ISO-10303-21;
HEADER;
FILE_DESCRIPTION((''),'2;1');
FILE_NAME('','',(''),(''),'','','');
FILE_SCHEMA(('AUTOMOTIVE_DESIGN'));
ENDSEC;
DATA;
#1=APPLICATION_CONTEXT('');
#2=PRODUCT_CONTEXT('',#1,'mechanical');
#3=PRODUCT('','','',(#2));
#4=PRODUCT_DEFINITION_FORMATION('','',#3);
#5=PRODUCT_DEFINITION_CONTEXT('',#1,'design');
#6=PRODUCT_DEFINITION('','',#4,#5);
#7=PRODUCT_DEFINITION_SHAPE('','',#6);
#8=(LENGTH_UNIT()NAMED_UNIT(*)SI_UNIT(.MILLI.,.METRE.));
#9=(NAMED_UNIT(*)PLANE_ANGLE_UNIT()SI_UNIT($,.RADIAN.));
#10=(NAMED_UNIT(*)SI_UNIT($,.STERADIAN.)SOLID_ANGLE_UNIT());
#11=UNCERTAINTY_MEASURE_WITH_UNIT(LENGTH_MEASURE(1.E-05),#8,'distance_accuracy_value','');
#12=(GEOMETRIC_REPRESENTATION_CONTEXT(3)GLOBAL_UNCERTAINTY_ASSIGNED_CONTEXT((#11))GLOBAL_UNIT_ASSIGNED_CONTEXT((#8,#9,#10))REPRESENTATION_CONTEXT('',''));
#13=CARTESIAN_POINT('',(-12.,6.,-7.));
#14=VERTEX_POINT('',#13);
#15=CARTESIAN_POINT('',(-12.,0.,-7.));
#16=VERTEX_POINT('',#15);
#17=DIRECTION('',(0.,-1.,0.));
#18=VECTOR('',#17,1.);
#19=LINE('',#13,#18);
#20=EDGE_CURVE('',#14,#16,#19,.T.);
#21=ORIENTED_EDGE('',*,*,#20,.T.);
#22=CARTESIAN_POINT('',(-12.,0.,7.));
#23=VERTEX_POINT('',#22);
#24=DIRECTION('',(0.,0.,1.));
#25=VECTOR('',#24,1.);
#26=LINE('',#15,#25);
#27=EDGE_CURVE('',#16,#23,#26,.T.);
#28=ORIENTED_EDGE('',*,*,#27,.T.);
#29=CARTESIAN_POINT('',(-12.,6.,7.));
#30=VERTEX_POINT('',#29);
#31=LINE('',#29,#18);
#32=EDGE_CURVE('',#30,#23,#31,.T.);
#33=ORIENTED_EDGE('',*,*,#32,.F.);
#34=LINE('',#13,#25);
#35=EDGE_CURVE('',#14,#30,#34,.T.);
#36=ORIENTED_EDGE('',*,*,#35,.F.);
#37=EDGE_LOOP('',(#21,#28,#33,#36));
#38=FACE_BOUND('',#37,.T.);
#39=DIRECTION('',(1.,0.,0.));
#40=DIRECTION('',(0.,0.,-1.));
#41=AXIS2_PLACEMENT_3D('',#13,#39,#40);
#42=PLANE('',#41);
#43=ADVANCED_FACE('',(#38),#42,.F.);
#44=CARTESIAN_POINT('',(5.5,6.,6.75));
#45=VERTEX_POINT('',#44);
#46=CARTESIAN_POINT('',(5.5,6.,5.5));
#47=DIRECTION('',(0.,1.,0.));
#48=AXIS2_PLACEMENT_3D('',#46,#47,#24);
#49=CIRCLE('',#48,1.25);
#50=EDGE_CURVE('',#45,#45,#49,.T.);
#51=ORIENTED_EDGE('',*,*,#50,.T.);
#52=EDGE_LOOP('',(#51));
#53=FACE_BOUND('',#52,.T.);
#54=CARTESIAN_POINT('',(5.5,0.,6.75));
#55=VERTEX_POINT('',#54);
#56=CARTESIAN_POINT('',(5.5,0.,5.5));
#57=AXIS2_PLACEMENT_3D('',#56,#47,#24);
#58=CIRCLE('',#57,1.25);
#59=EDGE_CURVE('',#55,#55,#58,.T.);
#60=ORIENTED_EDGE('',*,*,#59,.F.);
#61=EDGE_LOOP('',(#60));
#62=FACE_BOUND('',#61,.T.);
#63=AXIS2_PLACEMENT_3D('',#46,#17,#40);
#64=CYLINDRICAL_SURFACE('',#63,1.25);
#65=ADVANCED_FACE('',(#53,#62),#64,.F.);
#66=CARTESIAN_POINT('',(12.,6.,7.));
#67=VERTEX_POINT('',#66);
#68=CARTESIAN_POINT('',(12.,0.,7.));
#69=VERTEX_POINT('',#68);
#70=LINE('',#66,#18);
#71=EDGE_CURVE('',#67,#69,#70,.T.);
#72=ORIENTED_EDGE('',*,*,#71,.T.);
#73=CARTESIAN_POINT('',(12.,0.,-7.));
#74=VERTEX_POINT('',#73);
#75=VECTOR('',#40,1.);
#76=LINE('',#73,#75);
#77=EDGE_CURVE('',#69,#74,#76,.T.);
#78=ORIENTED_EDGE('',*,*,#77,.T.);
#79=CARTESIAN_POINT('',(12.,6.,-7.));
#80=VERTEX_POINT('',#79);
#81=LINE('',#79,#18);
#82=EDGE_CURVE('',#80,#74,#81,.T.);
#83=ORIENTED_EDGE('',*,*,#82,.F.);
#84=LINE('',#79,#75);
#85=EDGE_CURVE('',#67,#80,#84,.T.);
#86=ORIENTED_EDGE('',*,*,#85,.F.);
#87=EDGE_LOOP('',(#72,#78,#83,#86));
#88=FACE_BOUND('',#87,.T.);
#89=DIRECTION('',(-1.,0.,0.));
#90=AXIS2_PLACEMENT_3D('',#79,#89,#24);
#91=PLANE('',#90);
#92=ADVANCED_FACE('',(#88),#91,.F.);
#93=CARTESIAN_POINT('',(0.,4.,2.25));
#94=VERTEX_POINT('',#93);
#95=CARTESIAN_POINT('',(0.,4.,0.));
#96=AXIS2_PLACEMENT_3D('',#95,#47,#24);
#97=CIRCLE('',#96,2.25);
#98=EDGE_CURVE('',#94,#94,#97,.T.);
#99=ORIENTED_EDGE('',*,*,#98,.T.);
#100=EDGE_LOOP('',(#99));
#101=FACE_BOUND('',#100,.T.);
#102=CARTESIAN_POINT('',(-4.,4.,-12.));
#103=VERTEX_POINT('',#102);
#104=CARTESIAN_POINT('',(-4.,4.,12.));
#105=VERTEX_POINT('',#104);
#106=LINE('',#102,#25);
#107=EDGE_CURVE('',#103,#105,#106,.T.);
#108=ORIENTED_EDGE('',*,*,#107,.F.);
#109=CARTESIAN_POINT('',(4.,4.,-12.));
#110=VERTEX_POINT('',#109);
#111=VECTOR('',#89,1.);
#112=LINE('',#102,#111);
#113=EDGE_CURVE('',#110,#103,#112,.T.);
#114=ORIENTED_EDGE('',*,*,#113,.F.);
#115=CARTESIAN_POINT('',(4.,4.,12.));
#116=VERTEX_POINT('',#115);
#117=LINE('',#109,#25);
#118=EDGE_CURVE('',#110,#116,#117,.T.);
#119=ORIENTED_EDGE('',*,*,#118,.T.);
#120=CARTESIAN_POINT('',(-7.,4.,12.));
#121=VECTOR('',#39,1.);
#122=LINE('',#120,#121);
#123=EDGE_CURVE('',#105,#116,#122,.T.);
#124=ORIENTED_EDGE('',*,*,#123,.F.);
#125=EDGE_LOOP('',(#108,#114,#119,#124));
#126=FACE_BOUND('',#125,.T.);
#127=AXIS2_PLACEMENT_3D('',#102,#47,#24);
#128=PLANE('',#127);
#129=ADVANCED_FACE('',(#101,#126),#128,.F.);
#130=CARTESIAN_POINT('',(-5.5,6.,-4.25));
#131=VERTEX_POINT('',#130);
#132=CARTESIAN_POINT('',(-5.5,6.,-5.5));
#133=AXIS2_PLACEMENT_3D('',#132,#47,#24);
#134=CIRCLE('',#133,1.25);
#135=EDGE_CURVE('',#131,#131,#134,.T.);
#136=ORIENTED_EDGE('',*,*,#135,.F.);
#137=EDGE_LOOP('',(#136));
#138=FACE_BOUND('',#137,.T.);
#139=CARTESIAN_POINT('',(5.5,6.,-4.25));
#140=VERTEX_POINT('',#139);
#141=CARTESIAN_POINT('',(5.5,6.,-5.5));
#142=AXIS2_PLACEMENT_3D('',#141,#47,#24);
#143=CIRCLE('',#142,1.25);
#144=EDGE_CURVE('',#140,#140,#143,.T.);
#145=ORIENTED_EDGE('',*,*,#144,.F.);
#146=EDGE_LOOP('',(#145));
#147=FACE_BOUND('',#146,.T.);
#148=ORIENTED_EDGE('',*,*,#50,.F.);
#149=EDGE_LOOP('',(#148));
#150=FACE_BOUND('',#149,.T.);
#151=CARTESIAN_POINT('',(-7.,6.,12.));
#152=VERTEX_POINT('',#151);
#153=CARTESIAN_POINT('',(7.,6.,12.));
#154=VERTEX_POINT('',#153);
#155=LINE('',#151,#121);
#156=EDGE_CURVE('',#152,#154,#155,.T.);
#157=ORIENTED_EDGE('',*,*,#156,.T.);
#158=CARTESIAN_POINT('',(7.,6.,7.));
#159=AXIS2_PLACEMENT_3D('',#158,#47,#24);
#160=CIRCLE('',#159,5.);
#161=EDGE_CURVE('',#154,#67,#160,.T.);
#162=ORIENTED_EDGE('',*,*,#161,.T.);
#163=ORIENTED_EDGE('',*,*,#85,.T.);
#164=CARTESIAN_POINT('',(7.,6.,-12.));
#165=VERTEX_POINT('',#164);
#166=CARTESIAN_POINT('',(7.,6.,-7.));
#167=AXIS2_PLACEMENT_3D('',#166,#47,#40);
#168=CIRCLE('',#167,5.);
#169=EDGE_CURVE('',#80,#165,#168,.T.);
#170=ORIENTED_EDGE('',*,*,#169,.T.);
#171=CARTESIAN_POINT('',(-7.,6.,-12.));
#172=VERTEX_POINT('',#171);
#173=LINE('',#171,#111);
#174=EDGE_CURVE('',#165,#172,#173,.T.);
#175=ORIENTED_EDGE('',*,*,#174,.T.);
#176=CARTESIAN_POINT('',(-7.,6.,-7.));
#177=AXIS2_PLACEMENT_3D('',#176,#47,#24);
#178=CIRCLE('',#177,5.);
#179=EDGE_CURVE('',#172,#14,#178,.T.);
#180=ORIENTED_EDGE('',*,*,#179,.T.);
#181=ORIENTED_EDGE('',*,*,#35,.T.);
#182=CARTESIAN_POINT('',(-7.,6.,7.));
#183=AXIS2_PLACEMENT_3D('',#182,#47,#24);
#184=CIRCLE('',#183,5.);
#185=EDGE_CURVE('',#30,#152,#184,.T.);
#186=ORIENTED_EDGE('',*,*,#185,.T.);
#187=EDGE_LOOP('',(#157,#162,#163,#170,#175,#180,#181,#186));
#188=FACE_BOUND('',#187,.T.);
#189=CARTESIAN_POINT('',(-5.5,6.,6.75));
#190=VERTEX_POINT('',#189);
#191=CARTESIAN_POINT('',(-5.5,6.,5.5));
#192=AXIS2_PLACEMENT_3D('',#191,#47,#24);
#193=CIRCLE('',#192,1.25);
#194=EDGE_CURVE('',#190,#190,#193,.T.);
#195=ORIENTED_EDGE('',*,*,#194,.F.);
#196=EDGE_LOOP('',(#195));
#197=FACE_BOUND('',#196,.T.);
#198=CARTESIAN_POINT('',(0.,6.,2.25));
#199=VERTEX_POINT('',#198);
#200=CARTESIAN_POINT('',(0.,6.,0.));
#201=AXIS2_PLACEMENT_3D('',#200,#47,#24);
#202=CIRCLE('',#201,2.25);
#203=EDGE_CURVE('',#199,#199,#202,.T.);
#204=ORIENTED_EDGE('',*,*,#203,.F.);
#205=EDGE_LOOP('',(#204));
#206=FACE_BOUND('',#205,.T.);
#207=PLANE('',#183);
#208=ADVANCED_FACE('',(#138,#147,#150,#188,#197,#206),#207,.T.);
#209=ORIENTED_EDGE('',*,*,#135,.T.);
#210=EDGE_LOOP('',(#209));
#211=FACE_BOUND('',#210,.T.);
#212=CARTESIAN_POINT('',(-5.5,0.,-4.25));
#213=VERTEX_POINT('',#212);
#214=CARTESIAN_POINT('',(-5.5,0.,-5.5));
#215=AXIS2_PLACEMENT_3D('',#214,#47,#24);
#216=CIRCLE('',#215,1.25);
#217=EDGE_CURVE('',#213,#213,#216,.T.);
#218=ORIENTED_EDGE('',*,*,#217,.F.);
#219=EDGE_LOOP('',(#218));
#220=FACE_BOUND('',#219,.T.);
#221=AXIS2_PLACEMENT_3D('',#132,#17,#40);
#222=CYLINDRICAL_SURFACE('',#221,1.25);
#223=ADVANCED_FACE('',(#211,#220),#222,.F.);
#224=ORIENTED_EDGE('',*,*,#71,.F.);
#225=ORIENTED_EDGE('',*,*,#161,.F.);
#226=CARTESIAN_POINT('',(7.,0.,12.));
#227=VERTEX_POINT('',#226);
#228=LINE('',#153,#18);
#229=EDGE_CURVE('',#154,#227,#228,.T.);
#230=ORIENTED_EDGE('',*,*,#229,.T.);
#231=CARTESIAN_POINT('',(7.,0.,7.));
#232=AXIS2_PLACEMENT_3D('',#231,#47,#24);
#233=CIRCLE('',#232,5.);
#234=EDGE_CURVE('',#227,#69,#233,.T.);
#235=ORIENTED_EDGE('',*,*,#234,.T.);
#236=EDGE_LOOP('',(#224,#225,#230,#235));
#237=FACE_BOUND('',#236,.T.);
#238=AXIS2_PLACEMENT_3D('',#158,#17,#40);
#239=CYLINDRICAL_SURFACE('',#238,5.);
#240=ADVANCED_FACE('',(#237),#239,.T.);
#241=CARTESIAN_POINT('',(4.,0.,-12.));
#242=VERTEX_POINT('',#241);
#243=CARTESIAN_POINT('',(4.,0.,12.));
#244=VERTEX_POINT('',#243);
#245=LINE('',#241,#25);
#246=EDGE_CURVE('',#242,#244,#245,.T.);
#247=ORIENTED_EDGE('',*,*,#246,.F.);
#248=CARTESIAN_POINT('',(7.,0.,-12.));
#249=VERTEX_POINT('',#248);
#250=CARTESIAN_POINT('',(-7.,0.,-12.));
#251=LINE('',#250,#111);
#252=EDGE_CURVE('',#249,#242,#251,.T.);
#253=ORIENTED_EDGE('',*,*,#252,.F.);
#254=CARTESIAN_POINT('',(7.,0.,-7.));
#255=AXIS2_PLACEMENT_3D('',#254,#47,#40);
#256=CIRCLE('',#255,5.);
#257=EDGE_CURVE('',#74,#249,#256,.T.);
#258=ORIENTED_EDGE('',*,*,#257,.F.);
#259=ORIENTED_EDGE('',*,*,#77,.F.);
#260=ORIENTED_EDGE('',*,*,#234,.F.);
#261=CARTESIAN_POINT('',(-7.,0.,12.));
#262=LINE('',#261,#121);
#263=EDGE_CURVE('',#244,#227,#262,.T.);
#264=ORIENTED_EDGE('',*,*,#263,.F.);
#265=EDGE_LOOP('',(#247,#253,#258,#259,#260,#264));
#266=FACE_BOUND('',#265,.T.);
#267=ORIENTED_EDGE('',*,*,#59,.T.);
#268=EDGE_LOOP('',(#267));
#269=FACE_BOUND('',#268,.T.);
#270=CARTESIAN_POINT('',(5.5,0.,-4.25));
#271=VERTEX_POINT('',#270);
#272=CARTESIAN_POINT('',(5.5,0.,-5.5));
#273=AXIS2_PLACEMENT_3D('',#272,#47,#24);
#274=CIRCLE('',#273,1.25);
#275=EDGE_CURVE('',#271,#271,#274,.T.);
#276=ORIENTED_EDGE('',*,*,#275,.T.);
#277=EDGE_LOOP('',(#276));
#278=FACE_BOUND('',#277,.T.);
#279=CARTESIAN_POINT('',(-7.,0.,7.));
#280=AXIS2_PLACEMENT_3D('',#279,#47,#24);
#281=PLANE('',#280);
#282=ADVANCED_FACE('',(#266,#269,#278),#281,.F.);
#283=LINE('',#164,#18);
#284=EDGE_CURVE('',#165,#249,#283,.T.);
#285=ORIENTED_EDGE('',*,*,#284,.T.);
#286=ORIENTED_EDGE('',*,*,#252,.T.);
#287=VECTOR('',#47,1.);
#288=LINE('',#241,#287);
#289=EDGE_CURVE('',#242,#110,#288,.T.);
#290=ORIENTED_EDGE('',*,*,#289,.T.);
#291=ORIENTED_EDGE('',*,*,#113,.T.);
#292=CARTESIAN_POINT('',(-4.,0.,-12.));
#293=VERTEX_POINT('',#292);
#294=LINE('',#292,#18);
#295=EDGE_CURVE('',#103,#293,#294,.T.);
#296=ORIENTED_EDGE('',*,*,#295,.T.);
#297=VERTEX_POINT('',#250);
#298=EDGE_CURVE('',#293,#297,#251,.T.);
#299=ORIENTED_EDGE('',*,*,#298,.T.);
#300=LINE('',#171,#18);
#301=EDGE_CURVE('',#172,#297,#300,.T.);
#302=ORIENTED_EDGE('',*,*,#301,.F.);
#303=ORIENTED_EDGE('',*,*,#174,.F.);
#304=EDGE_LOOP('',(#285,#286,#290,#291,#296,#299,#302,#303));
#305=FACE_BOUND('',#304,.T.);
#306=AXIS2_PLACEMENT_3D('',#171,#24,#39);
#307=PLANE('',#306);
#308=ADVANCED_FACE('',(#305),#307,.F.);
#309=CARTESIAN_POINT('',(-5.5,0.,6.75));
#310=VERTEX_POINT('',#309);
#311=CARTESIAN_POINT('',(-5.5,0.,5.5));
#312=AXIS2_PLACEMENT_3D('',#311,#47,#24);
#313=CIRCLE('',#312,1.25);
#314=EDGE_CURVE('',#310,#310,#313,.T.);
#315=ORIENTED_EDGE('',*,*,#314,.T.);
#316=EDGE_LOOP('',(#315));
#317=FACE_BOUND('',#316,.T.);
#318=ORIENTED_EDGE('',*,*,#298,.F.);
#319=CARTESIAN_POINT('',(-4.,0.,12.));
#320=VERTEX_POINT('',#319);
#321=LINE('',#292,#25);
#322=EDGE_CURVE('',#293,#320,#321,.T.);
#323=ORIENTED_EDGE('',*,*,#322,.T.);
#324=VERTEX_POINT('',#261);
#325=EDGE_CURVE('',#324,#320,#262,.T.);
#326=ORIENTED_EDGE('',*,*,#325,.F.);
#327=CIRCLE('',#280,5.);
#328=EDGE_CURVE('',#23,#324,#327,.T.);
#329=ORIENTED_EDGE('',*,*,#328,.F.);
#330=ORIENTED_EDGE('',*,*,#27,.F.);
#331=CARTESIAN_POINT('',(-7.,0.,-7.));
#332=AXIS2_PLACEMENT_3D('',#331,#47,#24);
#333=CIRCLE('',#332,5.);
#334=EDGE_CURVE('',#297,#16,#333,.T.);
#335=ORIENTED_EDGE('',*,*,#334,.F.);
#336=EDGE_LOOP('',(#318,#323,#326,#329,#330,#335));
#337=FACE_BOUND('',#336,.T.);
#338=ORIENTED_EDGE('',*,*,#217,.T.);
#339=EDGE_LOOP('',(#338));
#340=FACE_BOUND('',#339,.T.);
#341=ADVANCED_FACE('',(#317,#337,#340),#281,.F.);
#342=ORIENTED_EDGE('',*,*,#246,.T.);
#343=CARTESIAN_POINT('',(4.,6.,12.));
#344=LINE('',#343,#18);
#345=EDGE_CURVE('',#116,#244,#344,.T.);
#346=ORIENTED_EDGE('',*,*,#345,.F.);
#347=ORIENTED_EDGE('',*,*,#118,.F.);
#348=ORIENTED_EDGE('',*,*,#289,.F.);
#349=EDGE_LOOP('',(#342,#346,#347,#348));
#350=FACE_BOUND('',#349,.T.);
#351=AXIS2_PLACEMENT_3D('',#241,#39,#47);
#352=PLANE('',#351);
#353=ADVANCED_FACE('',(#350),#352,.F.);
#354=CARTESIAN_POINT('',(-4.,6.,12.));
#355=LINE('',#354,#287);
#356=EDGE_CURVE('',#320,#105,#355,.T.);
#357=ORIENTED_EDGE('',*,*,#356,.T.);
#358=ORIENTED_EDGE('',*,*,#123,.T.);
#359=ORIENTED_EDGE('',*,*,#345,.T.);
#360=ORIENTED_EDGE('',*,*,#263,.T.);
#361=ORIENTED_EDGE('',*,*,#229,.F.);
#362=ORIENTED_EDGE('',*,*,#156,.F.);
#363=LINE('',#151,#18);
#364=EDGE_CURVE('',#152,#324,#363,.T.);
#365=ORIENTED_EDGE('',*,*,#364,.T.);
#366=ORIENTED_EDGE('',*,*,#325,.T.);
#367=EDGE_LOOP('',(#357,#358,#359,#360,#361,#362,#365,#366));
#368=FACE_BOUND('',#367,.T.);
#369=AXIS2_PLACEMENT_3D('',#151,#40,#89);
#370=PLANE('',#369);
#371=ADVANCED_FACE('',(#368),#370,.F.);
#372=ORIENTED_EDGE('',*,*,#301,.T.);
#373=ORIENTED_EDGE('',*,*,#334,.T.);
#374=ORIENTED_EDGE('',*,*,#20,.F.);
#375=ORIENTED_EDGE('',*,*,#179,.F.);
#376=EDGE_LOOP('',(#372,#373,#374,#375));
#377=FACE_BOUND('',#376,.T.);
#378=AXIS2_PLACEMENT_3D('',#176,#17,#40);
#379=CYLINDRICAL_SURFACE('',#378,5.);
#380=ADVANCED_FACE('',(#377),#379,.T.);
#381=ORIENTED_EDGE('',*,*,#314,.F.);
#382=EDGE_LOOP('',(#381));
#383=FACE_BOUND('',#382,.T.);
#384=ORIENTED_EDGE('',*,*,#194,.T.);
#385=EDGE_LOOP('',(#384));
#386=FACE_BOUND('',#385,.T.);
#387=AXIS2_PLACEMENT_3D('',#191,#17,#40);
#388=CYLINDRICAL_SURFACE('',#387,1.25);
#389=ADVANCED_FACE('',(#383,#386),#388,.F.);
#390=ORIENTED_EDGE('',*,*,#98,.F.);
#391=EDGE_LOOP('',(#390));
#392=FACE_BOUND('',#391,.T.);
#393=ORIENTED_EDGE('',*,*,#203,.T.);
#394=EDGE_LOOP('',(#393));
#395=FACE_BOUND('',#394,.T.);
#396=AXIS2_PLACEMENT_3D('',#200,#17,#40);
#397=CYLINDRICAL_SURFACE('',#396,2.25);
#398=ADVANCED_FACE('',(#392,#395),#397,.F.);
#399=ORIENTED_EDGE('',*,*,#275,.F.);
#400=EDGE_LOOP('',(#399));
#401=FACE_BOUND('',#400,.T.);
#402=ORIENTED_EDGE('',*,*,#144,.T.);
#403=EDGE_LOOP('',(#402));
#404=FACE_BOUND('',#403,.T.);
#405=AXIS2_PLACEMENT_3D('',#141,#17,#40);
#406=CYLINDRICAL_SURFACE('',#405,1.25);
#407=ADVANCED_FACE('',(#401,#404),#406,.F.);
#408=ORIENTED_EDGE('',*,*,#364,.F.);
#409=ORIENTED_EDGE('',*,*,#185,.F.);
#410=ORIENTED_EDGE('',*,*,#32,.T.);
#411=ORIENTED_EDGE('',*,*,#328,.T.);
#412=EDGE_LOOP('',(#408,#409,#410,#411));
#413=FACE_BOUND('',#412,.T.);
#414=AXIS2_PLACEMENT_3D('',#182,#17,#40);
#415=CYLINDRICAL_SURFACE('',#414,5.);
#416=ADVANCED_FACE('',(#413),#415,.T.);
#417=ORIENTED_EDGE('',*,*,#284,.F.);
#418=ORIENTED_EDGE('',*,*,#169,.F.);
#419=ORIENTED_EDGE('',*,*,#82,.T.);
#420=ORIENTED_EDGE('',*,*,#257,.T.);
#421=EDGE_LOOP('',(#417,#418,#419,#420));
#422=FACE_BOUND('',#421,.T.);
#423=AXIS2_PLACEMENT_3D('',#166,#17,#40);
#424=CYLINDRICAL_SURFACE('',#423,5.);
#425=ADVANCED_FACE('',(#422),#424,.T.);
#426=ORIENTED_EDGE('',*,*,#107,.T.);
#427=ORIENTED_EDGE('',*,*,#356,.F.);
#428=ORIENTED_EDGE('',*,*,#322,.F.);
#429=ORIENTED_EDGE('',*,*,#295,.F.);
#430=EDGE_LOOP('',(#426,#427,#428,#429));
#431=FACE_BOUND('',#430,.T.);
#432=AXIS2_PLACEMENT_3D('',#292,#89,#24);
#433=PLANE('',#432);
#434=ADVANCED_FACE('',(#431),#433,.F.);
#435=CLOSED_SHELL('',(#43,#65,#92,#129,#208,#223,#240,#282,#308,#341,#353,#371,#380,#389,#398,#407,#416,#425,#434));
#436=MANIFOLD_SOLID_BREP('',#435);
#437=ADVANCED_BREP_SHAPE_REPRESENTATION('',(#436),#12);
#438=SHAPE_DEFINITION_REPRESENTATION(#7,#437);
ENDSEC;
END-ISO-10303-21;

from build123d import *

# Parameters (mm, degrees)
SKETCH1_R               = 1.25
SKETCH1_R_2             = 2.25
BOSS_EXTRUDE1_DEPTH     = 6
CUT_EXTRUDE1_DEPTH      = 28.49545417
CUT_EXTRUDE1_DEPTH_BACK = 28.49545417
SKETCH2_W               = 8
SKETCH2_H               = 4


with BuildPart() as part:
    # Sketch1 → Boss-Extrude1 (new body)
    with BuildSketch(Plane(origin=(0, 0, 0), x_dir=(1, 0, 0), z_dir=(0, 1, 0))):
        with BuildLine():
            Line((-7, 12), (7, 12))
            ThreePointArc((7, 12), (10.535533906, 10.535533906), (12, 7))
            Line((12, 7), (12, -7))
            ThreePointArc((12, -7), (10.535533906, -10.535533906), (7, -12))
            Line((7, -12), (-7, -12))
            ThreePointArc((-7, -12), (-10.535533906, -10.535533906), (-12, -7))
            Line((-12, -7), (-12, 7))
            ThreePointArc((-12, 7), (-10.535533906, 10.535533906), (-7, 12))
        make_face()
        with Locations(Location((-5.5, 5.5, 0), (0, 0, 270))):
            Circle(SKETCH1_R, mode=Mode.SUBTRACT)
        with Locations(Location((5.5, 5.5, 0), (0, 0, 270))):
            Circle(SKETCH1_R, mode=Mode.SUBTRACT)
        with Locations(Location((5.5, -5.5, 0), (0, 0, 270))):
            Circle(SKETCH1_R, mode=Mode.SUBTRACT)
        with Locations(Location((-5.5, -5.5, 0), (0, 0, 270))):
            Circle(SKETCH1_R, mode=Mode.SUBTRACT)
        with Locations(Location((0, 0, 0), (0, 0, 270))):
            Circle(SKETCH1_R_2, mode=Mode.SUBTRACT)
    extrude(amount=BOSS_EXTRUDE1_DEPTH)

    # Sketch2 → Cut-Extrude1 (cut, two sides: drawn at the far end of the back side and taken through both)
    with BuildSketch(Plane.XY.offset(12).offset(-CUT_EXTRUDE1_DEPTH_BACK)):
        with Locations((0, 2)):
            Rectangle(SKETCH2_W, SKETCH2_H)
    extrude(amount=CUT_EXTRUDE1_DEPTH + CUT_EXTRUDE1_DEPTH_BACK, mode=Mode.SUBTRACT)


solid = part.part
